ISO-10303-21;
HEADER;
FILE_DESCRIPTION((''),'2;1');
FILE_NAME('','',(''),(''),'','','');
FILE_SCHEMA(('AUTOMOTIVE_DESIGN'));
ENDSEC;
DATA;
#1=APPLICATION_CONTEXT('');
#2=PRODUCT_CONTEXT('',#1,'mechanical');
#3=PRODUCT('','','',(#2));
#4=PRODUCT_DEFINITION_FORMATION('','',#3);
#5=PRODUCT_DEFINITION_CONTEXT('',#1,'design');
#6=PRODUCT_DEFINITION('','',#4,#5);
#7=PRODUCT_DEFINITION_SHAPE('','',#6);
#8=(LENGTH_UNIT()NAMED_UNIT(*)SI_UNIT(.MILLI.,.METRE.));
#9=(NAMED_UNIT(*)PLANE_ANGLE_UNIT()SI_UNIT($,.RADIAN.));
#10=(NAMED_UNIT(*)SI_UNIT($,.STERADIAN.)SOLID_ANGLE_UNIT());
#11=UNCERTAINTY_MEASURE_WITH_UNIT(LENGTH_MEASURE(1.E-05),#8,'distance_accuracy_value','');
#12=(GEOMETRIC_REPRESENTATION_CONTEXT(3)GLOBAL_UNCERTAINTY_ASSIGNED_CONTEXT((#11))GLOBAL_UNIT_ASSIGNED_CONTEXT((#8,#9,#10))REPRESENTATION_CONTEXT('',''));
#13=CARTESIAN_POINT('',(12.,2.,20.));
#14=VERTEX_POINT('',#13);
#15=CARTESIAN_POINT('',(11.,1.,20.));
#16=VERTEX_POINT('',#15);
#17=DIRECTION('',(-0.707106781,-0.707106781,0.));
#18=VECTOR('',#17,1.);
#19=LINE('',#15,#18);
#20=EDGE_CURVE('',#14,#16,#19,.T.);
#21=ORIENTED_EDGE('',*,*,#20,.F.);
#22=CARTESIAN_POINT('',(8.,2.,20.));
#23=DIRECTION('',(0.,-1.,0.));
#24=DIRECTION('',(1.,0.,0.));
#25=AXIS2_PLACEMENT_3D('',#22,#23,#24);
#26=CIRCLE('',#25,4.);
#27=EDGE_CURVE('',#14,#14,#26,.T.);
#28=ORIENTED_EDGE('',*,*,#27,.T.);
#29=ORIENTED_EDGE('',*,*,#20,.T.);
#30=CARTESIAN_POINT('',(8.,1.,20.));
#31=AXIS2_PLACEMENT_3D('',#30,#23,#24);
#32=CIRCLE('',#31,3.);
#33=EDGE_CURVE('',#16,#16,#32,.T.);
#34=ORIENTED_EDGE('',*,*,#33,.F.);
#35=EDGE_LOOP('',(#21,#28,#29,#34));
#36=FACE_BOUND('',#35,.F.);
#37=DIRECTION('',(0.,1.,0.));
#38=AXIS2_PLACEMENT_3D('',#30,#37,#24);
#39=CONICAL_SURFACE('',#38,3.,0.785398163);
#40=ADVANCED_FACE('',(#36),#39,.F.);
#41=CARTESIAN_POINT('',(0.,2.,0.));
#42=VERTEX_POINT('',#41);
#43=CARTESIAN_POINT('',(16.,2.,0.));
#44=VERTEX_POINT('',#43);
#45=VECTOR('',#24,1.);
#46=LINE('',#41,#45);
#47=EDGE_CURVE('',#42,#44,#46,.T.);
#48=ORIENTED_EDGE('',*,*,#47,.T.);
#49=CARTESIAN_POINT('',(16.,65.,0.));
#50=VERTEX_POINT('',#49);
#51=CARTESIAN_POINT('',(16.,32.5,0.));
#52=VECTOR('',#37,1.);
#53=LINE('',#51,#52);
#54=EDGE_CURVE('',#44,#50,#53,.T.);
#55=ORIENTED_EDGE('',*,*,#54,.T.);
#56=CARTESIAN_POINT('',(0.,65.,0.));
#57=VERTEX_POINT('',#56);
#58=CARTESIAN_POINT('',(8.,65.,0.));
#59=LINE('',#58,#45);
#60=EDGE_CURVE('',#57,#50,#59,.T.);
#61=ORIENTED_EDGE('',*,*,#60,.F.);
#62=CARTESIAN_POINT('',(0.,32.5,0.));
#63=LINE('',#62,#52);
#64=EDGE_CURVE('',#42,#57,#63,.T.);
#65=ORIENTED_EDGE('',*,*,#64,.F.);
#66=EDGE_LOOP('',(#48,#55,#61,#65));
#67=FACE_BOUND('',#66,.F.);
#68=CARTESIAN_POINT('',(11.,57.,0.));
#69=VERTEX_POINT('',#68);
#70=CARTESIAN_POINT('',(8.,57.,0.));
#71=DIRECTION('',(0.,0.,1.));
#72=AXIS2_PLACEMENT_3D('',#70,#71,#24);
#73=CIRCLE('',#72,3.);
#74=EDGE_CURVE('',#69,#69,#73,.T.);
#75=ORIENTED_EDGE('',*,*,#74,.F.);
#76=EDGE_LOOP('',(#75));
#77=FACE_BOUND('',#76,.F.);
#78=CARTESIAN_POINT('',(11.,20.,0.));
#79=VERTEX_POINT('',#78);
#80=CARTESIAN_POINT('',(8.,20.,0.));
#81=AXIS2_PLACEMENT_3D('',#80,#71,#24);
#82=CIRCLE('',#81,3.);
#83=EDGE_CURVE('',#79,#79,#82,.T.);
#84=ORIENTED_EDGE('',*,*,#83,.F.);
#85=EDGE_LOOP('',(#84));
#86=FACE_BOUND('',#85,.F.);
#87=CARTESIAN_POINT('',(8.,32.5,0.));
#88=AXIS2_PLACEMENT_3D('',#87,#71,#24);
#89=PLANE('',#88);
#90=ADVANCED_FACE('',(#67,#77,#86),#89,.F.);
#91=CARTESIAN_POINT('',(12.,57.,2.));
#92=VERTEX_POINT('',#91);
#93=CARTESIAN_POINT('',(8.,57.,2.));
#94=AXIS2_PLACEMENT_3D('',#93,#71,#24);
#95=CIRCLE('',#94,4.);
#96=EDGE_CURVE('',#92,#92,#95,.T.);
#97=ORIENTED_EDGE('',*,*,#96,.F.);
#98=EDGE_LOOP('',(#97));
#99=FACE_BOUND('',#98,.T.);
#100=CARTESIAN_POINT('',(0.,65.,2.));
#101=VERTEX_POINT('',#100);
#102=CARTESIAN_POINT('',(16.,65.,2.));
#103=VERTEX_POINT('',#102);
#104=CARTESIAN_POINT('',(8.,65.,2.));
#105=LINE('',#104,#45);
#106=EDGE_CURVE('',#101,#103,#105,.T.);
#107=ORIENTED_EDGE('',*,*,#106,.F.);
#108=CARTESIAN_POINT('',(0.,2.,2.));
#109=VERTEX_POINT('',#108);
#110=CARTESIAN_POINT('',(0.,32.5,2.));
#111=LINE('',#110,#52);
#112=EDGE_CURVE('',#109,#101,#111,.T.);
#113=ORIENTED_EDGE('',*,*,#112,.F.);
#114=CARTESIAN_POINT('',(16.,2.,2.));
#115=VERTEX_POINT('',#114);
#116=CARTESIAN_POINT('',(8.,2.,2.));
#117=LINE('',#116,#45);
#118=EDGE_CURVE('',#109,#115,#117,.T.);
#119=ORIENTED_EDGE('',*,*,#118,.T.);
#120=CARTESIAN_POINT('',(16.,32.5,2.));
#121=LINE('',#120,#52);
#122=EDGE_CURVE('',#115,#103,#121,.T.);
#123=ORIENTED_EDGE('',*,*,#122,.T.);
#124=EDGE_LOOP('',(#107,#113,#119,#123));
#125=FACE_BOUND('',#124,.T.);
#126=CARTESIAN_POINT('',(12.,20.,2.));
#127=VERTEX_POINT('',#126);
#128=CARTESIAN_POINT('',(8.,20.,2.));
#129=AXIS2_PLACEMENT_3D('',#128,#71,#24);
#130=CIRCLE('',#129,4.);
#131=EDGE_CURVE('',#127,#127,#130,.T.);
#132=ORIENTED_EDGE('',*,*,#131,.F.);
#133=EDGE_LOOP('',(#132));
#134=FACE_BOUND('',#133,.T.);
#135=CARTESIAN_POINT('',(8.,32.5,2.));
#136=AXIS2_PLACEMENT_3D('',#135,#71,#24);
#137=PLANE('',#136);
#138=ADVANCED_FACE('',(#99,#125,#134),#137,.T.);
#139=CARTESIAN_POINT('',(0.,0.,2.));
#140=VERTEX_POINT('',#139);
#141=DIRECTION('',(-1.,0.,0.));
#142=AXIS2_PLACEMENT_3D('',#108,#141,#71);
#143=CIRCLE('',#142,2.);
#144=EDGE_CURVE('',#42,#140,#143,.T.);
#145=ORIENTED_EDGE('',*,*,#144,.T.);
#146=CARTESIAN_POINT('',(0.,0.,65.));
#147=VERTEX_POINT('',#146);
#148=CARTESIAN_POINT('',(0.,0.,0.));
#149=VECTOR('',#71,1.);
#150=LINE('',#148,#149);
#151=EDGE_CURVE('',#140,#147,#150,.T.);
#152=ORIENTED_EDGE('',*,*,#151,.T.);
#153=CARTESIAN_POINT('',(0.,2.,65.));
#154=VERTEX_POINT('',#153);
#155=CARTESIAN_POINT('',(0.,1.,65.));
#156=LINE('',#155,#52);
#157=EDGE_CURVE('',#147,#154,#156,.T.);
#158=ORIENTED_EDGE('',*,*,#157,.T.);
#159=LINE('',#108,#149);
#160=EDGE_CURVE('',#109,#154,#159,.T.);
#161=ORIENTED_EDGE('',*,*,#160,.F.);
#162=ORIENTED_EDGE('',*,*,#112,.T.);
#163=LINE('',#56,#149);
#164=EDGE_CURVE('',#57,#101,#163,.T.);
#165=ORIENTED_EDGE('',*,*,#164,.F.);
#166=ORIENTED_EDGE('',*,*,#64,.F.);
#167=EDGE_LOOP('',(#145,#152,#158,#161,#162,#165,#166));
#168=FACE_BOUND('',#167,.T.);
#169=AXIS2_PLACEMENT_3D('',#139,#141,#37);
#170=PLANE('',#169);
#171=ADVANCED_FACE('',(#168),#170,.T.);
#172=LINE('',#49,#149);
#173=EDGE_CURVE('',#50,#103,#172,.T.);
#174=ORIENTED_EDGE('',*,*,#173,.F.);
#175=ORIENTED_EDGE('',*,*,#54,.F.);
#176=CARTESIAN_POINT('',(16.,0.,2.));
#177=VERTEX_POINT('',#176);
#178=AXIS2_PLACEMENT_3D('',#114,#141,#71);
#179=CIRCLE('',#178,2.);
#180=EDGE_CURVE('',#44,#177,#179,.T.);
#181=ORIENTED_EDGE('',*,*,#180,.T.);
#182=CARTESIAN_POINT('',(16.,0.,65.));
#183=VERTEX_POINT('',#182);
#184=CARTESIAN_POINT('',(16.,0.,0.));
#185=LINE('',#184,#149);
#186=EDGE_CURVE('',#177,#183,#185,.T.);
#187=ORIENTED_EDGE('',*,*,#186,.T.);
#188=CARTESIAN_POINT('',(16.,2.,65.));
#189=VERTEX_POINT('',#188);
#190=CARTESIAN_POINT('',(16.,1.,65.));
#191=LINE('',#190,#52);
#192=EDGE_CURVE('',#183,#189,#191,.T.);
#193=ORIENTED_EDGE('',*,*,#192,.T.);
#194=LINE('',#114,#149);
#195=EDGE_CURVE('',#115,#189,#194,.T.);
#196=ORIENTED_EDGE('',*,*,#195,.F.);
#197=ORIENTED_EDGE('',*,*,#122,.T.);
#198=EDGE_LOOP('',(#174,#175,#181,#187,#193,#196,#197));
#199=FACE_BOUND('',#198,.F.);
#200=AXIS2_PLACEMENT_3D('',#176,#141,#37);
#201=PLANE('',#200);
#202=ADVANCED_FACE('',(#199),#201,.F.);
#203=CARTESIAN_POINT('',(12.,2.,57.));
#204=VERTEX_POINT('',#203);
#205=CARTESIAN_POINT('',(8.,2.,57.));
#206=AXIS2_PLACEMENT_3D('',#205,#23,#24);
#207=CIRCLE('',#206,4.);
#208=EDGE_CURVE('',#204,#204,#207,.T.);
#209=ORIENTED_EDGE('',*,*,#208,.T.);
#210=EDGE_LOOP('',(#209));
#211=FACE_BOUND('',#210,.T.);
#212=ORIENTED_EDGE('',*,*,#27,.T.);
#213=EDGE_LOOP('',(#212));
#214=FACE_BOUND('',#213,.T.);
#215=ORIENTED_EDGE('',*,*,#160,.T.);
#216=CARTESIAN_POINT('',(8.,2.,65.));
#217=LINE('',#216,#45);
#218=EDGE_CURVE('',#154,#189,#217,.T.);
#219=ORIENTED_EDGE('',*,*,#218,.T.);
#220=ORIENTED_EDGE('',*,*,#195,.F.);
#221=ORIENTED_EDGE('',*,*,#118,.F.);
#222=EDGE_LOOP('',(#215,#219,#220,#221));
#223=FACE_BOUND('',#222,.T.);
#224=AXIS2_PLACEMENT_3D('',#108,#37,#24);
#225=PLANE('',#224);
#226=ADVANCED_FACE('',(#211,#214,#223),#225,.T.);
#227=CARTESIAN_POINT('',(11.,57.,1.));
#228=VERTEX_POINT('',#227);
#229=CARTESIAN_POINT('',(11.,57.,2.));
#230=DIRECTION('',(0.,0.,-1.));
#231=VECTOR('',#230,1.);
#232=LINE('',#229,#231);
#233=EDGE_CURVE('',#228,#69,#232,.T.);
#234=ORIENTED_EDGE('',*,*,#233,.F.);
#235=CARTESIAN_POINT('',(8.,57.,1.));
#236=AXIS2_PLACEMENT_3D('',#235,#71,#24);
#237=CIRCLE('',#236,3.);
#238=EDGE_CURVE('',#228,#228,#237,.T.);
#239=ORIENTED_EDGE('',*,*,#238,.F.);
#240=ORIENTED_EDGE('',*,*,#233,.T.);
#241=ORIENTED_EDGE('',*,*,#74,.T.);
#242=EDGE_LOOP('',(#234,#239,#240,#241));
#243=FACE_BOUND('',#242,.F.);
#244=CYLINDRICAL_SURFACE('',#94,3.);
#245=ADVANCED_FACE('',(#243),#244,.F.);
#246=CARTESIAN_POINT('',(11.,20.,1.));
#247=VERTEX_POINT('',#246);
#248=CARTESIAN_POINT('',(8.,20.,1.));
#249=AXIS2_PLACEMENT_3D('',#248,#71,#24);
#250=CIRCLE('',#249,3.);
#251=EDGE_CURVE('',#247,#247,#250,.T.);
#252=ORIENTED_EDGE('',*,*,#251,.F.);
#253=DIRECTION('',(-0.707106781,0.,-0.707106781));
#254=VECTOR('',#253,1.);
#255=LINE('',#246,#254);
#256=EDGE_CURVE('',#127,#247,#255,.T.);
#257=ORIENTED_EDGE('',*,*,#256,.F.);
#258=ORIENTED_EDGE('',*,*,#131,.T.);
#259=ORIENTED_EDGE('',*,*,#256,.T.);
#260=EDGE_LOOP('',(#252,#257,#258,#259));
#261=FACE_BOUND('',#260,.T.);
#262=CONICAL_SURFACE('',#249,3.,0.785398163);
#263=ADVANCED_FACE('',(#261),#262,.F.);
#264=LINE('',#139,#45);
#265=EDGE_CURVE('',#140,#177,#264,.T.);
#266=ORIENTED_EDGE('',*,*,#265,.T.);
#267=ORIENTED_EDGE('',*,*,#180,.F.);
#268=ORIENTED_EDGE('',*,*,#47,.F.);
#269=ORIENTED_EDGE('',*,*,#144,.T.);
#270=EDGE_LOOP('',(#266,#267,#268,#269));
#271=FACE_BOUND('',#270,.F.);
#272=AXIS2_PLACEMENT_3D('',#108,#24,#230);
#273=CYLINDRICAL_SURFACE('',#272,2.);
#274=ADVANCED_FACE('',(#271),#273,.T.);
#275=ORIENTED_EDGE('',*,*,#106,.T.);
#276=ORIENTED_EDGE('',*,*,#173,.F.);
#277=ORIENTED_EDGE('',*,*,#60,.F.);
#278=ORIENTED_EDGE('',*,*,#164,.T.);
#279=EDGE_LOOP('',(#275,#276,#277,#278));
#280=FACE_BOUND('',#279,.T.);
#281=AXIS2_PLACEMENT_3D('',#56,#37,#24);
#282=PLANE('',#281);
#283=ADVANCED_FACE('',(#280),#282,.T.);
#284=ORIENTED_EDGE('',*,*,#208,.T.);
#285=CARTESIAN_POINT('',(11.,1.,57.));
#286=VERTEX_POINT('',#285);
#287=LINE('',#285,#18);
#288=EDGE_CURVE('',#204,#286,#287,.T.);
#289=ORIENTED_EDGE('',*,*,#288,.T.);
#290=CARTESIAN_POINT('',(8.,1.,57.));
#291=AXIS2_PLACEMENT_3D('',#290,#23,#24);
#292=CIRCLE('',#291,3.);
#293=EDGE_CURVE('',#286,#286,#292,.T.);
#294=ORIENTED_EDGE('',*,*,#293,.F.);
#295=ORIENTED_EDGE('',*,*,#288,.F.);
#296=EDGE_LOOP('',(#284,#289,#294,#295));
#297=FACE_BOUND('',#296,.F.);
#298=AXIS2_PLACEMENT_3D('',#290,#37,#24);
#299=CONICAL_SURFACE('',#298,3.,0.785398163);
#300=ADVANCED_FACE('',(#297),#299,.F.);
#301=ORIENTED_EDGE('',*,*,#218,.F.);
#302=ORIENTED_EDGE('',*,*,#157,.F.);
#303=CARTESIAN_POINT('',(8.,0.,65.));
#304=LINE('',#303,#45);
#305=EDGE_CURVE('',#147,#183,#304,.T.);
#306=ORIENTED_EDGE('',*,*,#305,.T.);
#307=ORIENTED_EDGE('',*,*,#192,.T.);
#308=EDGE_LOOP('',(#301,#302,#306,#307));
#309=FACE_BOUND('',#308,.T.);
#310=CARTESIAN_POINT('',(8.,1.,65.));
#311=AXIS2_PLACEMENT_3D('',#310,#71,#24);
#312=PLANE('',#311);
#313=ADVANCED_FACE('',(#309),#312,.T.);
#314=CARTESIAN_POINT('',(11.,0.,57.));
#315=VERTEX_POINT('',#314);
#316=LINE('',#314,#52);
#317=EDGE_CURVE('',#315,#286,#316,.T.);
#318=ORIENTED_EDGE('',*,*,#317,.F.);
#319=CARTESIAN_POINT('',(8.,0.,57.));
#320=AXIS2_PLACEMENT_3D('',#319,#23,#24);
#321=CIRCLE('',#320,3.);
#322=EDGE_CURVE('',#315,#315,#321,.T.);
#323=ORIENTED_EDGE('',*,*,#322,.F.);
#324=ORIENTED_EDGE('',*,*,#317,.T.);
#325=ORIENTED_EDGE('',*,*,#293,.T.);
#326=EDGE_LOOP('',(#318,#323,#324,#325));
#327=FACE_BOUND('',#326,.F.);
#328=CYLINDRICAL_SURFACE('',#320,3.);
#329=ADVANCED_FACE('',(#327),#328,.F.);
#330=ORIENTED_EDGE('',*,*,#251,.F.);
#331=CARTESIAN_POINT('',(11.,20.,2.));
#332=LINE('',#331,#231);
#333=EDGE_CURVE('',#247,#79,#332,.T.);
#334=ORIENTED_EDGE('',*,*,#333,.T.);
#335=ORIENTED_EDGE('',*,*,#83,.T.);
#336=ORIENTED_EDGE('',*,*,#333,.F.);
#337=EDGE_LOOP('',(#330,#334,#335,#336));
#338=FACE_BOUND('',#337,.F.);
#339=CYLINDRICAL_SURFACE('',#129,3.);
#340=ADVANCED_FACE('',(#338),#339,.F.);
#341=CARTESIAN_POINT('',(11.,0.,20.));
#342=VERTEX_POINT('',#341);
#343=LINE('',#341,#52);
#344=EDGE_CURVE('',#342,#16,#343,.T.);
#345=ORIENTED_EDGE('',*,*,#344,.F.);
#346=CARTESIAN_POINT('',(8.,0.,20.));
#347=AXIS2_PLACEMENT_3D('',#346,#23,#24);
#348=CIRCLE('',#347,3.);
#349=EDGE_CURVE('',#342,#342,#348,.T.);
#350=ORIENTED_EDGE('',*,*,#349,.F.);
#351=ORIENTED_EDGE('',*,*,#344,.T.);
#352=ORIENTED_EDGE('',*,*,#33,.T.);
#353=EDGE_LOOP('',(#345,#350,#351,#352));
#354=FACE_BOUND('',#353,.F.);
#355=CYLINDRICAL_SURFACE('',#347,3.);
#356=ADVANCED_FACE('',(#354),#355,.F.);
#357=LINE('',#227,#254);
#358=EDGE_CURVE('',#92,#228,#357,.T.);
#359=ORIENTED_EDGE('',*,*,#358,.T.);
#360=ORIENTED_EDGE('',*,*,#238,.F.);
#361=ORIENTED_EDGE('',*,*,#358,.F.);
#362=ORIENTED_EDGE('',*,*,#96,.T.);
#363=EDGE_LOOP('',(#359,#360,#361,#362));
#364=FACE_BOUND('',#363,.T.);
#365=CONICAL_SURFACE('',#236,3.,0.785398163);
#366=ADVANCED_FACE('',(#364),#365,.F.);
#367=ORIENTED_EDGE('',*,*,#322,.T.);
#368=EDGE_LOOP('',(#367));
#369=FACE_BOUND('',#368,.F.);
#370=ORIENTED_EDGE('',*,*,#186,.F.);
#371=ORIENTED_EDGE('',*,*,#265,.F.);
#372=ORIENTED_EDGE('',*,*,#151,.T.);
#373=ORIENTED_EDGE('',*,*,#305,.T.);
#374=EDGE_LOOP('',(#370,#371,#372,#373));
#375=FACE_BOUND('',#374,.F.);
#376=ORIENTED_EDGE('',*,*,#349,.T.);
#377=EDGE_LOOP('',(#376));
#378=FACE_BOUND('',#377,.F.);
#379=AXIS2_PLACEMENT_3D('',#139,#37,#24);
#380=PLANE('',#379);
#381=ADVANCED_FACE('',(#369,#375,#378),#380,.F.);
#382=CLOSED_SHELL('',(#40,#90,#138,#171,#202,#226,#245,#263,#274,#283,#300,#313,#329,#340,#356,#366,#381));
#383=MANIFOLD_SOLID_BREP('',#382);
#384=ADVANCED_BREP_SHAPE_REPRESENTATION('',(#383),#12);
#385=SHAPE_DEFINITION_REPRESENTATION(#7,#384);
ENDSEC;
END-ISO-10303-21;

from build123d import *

# Parameters (mm, degrees)
F0_W     = 16
F0_H     = 65
F1_DEPTH = 2
F2_W     = 16
F2_H     = 2
F3_DEPTH = 63
F4_R     = 3
F5_DEPTH = 2.001
F6_R     = 3
F7_DEPTH = 65.001
F8_SIZE  = 1
F9_R     = 2


with BuildPart() as f1:
    # F0 (on Top) → F1 (new body)
    with BuildSketch(Plane.XY):
        with Locations((8, 32.5)):
            Rectangle(F0_W, F0_H)
    extrude(amount=F1_DEPTH)

    # F2 (on face) → F3 (join)
    with BuildSketch(Plane.XY.offset(2)):
        with Locations((8, 1)):
            Rectangle(F2_W, F2_H)
    extrude(amount=F3_DEPTH)

    # F4 (on face) → F5 (cut, through all)
    with BuildSketch(Plane.XY.offset(2)):
        with Locations((8, 57)):
            Circle(F4_R)
        with Locations((8, 20)):
            Circle(F4_R)
    extrude(amount=-F5_DEPTH, mode=Mode.SUBTRACT)

    # F6 (on face) → F7 (cut, through all)
    with BuildSketch(Plane.XZ):
        with Locations((8, 57)):
            Circle(F6_R)
        with Locations((8, 20)):
            Circle(F6_R)
    extrude(amount=-F7_DEPTH, mode=Mode.SUBTRACT)

    # F8
    f8_edges = [f1.edges().sort_by_distance(p)[0] for p in [
        (5, 2, 57),
        (5, 2, 20),
        (5, 20, 2),
        (5, 57, 2),
    ]]
    chamfer(f8_edges, length=F8_SIZE)

    # F9
    f9_edges = [f1.edges().sort_by_distance(p)[0] for p in [
        (8, 0, 0),
    ]]
    fillet(f9_edges, radius=F9_R)


solid = f1.part
